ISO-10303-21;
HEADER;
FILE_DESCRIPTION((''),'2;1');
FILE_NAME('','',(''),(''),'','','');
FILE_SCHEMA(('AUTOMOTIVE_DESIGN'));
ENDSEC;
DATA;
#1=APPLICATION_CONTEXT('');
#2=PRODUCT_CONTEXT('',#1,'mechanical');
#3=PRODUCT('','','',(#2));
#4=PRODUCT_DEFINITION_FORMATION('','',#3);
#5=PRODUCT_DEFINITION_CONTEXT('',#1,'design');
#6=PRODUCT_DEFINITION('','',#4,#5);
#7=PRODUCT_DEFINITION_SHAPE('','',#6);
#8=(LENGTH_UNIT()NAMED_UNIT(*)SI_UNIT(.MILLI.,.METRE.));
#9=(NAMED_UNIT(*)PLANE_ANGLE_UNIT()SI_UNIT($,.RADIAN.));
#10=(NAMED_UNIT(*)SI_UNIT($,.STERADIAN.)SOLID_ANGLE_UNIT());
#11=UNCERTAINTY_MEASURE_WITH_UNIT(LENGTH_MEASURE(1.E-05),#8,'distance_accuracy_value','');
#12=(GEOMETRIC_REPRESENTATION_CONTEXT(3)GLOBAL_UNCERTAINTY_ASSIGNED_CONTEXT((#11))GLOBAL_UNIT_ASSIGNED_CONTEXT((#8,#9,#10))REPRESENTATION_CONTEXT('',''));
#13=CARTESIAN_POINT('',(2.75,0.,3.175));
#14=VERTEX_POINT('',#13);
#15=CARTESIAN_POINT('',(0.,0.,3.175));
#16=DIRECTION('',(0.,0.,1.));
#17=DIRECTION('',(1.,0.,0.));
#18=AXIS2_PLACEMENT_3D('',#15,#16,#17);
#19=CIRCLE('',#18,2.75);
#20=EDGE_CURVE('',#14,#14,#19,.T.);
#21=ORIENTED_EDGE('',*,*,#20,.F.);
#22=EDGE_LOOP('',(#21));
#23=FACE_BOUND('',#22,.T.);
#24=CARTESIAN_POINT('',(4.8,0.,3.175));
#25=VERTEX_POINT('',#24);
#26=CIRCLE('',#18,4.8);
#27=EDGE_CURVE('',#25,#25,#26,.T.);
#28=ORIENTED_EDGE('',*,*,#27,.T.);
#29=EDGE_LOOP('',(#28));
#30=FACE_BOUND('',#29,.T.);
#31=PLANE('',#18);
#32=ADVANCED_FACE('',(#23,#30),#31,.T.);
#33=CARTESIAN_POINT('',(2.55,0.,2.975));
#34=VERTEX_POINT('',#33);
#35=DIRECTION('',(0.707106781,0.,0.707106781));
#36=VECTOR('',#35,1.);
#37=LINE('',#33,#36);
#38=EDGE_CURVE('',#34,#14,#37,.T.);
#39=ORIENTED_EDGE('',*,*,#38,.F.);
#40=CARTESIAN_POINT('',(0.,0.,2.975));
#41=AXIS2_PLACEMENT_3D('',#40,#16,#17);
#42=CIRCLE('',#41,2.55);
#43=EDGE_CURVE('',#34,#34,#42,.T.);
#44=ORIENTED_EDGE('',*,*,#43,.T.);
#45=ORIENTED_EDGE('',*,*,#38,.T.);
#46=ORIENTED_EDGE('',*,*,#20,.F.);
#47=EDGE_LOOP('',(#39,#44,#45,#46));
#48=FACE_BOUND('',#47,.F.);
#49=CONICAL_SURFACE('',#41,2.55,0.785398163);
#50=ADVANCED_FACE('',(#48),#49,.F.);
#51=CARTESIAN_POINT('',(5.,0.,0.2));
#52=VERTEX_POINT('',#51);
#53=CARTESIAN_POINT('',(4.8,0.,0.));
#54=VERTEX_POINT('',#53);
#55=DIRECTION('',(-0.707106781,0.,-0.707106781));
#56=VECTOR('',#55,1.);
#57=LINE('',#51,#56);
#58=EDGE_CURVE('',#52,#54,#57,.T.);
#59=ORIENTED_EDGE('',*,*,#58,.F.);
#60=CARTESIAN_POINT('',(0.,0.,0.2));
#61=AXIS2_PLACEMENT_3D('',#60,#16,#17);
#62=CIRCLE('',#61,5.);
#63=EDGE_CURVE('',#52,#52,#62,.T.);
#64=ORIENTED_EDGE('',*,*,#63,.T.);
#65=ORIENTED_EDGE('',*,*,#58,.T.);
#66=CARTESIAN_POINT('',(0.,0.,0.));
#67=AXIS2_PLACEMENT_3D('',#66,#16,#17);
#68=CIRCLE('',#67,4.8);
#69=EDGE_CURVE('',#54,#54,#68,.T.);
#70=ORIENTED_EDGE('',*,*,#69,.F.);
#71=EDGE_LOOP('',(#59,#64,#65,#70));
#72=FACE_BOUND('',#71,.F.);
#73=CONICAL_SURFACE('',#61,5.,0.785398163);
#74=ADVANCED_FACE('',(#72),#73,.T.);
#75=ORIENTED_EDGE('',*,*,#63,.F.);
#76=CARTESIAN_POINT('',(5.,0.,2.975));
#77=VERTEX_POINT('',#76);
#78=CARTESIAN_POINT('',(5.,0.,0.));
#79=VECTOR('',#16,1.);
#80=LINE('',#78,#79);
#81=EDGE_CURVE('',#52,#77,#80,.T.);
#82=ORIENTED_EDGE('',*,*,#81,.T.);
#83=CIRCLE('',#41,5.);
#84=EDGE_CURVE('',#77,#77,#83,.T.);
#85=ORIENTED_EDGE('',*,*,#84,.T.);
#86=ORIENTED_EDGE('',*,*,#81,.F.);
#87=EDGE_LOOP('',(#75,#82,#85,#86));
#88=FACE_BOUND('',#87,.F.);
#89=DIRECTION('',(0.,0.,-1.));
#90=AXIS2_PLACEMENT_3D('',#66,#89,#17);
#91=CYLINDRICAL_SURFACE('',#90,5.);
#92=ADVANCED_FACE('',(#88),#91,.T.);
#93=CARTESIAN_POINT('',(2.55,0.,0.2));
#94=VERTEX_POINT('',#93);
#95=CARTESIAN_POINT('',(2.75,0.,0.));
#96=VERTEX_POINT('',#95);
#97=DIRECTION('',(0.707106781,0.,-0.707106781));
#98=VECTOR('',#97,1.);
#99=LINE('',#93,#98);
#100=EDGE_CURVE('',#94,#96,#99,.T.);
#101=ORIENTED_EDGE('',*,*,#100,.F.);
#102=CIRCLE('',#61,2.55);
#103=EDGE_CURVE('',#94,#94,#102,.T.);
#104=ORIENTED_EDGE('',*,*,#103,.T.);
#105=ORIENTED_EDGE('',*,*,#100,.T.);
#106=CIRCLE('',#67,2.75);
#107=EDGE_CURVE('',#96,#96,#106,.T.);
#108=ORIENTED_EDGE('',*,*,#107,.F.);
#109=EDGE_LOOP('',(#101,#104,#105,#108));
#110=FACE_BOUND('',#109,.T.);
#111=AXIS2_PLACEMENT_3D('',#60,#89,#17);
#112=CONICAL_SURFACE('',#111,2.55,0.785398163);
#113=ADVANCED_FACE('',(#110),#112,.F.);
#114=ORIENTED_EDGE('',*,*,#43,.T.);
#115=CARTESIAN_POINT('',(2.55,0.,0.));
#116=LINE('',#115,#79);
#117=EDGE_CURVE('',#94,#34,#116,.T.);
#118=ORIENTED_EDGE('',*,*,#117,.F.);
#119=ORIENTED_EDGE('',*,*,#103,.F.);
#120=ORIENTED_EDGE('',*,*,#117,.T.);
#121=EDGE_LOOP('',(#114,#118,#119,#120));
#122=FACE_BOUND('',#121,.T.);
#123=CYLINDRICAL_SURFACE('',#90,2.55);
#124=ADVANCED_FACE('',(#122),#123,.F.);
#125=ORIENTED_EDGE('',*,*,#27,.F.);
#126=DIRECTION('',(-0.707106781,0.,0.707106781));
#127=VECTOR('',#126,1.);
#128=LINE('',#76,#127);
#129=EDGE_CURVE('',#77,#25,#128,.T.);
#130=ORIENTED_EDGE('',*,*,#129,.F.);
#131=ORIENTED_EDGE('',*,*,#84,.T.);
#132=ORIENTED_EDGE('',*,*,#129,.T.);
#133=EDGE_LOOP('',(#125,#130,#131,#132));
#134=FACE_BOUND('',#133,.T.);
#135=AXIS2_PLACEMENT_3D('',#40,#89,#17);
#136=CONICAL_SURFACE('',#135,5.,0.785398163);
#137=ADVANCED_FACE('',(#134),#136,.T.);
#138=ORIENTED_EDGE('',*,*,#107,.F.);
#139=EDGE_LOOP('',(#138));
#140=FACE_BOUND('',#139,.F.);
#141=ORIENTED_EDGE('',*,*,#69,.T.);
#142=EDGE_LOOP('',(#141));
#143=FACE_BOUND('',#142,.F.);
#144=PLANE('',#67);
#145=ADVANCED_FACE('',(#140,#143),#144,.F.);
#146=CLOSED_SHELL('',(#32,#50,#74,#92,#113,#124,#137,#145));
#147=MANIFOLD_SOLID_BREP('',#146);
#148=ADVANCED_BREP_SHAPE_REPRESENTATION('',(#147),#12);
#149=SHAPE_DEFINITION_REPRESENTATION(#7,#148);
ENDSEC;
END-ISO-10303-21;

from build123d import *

# Parameters (mm, degrees)
SKETCH1_R           = 5
SKETCH1_R_2         = 2.55
BOSS_EXTRUDE1_DEPTH = 3.175
CHAMFER1_SIZE       = 0.2


with BuildPart() as part:
    # Sketch1 → Boss-Extrude1 (new body)
    with BuildSketch(Plane.XY):
        Circle(SKETCH1_R)
        Circle(SKETCH1_R_2, mode=Mode.SUBTRACT)
    extrude(amount=BOSS_EXTRUDE1_DEPTH)

    # Chamfer1
    chamfer1_edges = [part.edges().sort_by_distance(p)[0] for p in [
        (-5, 0, 0),
        (-5, 0, 3.175),
        (-2.55, 0, 0),
        (-2.55, 0, 3.175),
    ]]
    chamfer(chamfer1_edges, length=CHAMFER1_SIZE)


solid = part.part
